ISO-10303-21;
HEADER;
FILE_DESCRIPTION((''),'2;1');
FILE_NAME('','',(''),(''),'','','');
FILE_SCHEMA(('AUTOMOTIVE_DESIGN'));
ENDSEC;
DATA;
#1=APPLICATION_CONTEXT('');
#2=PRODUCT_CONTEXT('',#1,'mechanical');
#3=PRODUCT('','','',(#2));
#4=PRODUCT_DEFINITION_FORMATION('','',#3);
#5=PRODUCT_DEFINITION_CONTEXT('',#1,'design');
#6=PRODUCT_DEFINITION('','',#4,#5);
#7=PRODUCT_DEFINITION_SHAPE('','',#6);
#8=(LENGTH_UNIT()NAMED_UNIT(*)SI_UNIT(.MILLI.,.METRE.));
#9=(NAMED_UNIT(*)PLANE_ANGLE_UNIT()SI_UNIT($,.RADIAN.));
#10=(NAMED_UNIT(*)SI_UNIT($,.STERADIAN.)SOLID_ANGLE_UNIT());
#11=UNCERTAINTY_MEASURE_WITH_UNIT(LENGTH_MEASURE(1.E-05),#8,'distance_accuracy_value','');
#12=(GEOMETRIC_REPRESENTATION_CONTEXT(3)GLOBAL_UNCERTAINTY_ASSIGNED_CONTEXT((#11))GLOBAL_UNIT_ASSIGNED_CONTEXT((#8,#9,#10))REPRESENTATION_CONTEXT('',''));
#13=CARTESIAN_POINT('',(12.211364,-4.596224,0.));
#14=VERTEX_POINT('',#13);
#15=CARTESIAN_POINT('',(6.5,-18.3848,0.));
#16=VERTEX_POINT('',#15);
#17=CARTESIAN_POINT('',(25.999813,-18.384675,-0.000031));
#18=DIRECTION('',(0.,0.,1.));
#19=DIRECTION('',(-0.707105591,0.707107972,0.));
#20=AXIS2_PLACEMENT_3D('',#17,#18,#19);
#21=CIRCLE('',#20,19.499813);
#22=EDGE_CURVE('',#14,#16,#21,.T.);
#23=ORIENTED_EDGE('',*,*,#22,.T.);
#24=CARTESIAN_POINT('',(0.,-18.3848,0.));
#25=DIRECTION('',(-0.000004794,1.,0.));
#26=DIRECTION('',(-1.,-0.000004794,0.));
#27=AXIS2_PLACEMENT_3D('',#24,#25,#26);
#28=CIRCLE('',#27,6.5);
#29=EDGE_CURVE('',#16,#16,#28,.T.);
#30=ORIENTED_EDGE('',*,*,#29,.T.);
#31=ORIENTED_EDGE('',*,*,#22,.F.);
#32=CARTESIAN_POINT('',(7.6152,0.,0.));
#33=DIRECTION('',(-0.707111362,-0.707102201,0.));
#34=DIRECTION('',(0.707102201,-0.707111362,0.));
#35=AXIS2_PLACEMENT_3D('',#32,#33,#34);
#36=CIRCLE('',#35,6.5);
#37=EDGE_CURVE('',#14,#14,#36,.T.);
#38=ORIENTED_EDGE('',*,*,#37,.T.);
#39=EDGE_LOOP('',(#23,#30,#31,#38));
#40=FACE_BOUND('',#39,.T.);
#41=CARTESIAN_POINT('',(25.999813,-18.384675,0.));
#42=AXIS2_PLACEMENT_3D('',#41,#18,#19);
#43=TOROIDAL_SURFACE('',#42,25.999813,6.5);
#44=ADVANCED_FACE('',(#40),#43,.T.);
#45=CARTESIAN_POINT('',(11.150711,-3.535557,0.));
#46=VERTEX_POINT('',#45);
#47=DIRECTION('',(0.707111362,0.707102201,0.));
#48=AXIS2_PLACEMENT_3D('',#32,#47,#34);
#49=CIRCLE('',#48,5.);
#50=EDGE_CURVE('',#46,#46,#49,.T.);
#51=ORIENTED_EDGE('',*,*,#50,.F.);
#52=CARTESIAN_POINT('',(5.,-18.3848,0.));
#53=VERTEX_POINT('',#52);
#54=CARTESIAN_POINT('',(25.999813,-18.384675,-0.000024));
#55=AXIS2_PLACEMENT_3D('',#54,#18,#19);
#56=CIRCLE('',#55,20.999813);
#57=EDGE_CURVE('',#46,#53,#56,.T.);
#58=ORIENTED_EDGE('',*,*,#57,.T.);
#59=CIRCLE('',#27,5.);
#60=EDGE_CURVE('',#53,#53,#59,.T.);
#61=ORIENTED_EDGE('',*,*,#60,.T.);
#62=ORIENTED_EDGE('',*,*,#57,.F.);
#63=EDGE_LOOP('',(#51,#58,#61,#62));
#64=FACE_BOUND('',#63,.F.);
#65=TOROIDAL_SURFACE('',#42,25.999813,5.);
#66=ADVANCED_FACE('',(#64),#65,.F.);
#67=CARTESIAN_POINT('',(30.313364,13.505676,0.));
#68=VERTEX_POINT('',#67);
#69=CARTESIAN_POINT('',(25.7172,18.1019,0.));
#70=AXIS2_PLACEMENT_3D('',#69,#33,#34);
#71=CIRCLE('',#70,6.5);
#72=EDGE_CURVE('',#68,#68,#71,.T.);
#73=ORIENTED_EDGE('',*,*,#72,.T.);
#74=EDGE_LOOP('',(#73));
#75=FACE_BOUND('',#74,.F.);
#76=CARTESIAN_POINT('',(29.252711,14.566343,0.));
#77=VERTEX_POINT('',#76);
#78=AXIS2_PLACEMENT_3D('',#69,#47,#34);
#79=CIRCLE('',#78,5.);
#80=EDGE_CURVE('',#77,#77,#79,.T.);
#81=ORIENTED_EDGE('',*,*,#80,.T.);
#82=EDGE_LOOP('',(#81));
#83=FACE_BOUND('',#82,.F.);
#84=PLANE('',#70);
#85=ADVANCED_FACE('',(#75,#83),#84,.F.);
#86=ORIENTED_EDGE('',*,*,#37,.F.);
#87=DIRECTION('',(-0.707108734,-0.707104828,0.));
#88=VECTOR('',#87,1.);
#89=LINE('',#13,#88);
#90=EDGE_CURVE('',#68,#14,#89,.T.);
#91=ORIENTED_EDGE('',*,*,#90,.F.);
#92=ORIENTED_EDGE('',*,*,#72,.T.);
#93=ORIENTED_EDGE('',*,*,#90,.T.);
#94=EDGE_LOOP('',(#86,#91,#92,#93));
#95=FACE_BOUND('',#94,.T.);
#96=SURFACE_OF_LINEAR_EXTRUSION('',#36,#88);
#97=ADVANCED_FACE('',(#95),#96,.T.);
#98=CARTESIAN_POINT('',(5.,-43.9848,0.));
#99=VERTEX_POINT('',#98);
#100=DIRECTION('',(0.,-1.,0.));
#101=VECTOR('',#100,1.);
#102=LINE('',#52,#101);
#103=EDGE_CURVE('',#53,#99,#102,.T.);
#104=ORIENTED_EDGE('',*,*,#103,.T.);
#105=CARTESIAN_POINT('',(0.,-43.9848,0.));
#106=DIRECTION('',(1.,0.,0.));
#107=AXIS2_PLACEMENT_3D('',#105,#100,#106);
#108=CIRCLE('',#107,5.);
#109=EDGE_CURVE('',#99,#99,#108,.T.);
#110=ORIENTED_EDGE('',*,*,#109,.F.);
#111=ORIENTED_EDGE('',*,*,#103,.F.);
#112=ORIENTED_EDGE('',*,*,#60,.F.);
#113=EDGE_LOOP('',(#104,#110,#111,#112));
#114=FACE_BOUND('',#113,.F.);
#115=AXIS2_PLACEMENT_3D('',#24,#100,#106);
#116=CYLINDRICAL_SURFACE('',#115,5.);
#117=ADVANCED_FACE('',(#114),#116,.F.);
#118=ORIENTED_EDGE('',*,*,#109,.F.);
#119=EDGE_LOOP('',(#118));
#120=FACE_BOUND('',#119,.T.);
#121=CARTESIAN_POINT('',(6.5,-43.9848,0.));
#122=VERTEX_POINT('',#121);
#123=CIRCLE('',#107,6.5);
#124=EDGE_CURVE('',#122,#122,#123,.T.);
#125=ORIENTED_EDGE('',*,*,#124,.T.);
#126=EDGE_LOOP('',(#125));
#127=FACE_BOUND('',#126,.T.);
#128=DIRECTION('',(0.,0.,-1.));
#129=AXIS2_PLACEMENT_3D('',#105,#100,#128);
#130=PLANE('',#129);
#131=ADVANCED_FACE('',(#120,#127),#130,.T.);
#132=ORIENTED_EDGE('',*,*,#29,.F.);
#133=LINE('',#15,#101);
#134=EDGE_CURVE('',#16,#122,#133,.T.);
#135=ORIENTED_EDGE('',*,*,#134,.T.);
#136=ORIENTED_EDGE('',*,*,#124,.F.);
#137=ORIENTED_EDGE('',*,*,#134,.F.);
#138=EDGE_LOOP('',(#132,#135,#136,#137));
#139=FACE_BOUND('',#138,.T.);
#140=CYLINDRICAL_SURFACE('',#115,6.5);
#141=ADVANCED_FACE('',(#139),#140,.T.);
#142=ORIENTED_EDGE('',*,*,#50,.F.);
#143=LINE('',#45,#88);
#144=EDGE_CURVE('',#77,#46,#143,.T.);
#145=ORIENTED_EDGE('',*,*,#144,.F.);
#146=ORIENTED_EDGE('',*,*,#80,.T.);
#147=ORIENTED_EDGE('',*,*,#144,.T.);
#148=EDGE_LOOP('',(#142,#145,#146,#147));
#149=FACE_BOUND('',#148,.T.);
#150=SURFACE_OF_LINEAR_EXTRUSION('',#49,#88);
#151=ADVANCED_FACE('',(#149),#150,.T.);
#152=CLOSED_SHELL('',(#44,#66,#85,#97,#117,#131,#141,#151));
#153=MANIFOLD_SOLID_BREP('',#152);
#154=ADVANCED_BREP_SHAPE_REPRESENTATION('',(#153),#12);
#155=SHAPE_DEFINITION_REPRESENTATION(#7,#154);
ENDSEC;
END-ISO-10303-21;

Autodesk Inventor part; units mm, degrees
ref_plane "YZ Plane" through (0, 0, 0) normal (1, 0, 0) x (0, 1, 0)
ref_plane "XZ Plane" through (0, 0, 0) normal (0, 1, 0) x (-1, 0, 0)
sketch "Szkic6" plane through (0, 0, 0) normal (0, 0, 1) x (1, 0, 0)
  line L0 (-29.6067, 0) -> (35.2678, 0) construction
  line L1 (0, 42.3419) -> (0, -58.3726) construction
  arc A0 (7.6152, 0) -> (0, -18.3848) centre (26, -18.3848) ccw
  line L2 (0, -18.3848) -> (26, -18.3848) construction
  line L3 (26, -18.3848) -> (-20.3389, 27.9541) construction
  line L4 (7.6152, 0) -> (25.7172, 18.1019)
  line L5 (0, -18.3848) -> (0, -43.9848)
  point P0 (0, 0)
  dimension "d24" = 80
  dimension "d31" = 90
  dimension "d36" = 30
  dimension "d37" = 30
ref_plane "Płaszczyzna konstrukcyjna2" through (0, -18.3848, 0) normal (0, -1, 0) x (1, 0, 0)
sketch "Szkic8" plane through (0, -18.3848, 0) normal (0, -1, 0) x (1, 0, 0)
  circle A0 centre (0, 0) radius 6.5
  circle A1 centre (0, 0) radius 5
  dimension "d32" = 70
  dimension "d33" = 2
sweep "Przeciągnięcie2" add profiles "Szkic8" path "Szkic6"
equation "\"d32\" = OD"
equation "\"d33\" = THK"
equation "\"d24\" = R"
equation "\"d31\" = KAT"
equation "\"d36\" = PROSTKA"
equation "\"d37\" = PROSTKA"
equation "\"SzerokośćGięciaPodcięcia\" = Grubość"
equation "\"RozmiarPodcięciaNarożnika\" = 4 * Grubość"
equation "\"PromieńPrzejścia\" = PromieńGięcia"
equation "\"Rozmiar_promienia_Jacobiego\" = PromieńGięcia"
equation "\"Wielk_odstępu\" = Grubość"
equation "\"d2\" = PromieńGięcia"
equation "\"d23\" = PromieńGięcia"
equation "\"THK\" = 2"
equation "\"KAT\" = 90deg"
equation "\"OD\" = 70"
equation "\"R\" = 80"
equation "\"PROSTKA\" = 30"
equation "\"Grubość\" = 1.5"
equation "\"PromieńGięcia\" = 3"
properties part number "Kolano 90° ø70x2 R80" material "304L"
